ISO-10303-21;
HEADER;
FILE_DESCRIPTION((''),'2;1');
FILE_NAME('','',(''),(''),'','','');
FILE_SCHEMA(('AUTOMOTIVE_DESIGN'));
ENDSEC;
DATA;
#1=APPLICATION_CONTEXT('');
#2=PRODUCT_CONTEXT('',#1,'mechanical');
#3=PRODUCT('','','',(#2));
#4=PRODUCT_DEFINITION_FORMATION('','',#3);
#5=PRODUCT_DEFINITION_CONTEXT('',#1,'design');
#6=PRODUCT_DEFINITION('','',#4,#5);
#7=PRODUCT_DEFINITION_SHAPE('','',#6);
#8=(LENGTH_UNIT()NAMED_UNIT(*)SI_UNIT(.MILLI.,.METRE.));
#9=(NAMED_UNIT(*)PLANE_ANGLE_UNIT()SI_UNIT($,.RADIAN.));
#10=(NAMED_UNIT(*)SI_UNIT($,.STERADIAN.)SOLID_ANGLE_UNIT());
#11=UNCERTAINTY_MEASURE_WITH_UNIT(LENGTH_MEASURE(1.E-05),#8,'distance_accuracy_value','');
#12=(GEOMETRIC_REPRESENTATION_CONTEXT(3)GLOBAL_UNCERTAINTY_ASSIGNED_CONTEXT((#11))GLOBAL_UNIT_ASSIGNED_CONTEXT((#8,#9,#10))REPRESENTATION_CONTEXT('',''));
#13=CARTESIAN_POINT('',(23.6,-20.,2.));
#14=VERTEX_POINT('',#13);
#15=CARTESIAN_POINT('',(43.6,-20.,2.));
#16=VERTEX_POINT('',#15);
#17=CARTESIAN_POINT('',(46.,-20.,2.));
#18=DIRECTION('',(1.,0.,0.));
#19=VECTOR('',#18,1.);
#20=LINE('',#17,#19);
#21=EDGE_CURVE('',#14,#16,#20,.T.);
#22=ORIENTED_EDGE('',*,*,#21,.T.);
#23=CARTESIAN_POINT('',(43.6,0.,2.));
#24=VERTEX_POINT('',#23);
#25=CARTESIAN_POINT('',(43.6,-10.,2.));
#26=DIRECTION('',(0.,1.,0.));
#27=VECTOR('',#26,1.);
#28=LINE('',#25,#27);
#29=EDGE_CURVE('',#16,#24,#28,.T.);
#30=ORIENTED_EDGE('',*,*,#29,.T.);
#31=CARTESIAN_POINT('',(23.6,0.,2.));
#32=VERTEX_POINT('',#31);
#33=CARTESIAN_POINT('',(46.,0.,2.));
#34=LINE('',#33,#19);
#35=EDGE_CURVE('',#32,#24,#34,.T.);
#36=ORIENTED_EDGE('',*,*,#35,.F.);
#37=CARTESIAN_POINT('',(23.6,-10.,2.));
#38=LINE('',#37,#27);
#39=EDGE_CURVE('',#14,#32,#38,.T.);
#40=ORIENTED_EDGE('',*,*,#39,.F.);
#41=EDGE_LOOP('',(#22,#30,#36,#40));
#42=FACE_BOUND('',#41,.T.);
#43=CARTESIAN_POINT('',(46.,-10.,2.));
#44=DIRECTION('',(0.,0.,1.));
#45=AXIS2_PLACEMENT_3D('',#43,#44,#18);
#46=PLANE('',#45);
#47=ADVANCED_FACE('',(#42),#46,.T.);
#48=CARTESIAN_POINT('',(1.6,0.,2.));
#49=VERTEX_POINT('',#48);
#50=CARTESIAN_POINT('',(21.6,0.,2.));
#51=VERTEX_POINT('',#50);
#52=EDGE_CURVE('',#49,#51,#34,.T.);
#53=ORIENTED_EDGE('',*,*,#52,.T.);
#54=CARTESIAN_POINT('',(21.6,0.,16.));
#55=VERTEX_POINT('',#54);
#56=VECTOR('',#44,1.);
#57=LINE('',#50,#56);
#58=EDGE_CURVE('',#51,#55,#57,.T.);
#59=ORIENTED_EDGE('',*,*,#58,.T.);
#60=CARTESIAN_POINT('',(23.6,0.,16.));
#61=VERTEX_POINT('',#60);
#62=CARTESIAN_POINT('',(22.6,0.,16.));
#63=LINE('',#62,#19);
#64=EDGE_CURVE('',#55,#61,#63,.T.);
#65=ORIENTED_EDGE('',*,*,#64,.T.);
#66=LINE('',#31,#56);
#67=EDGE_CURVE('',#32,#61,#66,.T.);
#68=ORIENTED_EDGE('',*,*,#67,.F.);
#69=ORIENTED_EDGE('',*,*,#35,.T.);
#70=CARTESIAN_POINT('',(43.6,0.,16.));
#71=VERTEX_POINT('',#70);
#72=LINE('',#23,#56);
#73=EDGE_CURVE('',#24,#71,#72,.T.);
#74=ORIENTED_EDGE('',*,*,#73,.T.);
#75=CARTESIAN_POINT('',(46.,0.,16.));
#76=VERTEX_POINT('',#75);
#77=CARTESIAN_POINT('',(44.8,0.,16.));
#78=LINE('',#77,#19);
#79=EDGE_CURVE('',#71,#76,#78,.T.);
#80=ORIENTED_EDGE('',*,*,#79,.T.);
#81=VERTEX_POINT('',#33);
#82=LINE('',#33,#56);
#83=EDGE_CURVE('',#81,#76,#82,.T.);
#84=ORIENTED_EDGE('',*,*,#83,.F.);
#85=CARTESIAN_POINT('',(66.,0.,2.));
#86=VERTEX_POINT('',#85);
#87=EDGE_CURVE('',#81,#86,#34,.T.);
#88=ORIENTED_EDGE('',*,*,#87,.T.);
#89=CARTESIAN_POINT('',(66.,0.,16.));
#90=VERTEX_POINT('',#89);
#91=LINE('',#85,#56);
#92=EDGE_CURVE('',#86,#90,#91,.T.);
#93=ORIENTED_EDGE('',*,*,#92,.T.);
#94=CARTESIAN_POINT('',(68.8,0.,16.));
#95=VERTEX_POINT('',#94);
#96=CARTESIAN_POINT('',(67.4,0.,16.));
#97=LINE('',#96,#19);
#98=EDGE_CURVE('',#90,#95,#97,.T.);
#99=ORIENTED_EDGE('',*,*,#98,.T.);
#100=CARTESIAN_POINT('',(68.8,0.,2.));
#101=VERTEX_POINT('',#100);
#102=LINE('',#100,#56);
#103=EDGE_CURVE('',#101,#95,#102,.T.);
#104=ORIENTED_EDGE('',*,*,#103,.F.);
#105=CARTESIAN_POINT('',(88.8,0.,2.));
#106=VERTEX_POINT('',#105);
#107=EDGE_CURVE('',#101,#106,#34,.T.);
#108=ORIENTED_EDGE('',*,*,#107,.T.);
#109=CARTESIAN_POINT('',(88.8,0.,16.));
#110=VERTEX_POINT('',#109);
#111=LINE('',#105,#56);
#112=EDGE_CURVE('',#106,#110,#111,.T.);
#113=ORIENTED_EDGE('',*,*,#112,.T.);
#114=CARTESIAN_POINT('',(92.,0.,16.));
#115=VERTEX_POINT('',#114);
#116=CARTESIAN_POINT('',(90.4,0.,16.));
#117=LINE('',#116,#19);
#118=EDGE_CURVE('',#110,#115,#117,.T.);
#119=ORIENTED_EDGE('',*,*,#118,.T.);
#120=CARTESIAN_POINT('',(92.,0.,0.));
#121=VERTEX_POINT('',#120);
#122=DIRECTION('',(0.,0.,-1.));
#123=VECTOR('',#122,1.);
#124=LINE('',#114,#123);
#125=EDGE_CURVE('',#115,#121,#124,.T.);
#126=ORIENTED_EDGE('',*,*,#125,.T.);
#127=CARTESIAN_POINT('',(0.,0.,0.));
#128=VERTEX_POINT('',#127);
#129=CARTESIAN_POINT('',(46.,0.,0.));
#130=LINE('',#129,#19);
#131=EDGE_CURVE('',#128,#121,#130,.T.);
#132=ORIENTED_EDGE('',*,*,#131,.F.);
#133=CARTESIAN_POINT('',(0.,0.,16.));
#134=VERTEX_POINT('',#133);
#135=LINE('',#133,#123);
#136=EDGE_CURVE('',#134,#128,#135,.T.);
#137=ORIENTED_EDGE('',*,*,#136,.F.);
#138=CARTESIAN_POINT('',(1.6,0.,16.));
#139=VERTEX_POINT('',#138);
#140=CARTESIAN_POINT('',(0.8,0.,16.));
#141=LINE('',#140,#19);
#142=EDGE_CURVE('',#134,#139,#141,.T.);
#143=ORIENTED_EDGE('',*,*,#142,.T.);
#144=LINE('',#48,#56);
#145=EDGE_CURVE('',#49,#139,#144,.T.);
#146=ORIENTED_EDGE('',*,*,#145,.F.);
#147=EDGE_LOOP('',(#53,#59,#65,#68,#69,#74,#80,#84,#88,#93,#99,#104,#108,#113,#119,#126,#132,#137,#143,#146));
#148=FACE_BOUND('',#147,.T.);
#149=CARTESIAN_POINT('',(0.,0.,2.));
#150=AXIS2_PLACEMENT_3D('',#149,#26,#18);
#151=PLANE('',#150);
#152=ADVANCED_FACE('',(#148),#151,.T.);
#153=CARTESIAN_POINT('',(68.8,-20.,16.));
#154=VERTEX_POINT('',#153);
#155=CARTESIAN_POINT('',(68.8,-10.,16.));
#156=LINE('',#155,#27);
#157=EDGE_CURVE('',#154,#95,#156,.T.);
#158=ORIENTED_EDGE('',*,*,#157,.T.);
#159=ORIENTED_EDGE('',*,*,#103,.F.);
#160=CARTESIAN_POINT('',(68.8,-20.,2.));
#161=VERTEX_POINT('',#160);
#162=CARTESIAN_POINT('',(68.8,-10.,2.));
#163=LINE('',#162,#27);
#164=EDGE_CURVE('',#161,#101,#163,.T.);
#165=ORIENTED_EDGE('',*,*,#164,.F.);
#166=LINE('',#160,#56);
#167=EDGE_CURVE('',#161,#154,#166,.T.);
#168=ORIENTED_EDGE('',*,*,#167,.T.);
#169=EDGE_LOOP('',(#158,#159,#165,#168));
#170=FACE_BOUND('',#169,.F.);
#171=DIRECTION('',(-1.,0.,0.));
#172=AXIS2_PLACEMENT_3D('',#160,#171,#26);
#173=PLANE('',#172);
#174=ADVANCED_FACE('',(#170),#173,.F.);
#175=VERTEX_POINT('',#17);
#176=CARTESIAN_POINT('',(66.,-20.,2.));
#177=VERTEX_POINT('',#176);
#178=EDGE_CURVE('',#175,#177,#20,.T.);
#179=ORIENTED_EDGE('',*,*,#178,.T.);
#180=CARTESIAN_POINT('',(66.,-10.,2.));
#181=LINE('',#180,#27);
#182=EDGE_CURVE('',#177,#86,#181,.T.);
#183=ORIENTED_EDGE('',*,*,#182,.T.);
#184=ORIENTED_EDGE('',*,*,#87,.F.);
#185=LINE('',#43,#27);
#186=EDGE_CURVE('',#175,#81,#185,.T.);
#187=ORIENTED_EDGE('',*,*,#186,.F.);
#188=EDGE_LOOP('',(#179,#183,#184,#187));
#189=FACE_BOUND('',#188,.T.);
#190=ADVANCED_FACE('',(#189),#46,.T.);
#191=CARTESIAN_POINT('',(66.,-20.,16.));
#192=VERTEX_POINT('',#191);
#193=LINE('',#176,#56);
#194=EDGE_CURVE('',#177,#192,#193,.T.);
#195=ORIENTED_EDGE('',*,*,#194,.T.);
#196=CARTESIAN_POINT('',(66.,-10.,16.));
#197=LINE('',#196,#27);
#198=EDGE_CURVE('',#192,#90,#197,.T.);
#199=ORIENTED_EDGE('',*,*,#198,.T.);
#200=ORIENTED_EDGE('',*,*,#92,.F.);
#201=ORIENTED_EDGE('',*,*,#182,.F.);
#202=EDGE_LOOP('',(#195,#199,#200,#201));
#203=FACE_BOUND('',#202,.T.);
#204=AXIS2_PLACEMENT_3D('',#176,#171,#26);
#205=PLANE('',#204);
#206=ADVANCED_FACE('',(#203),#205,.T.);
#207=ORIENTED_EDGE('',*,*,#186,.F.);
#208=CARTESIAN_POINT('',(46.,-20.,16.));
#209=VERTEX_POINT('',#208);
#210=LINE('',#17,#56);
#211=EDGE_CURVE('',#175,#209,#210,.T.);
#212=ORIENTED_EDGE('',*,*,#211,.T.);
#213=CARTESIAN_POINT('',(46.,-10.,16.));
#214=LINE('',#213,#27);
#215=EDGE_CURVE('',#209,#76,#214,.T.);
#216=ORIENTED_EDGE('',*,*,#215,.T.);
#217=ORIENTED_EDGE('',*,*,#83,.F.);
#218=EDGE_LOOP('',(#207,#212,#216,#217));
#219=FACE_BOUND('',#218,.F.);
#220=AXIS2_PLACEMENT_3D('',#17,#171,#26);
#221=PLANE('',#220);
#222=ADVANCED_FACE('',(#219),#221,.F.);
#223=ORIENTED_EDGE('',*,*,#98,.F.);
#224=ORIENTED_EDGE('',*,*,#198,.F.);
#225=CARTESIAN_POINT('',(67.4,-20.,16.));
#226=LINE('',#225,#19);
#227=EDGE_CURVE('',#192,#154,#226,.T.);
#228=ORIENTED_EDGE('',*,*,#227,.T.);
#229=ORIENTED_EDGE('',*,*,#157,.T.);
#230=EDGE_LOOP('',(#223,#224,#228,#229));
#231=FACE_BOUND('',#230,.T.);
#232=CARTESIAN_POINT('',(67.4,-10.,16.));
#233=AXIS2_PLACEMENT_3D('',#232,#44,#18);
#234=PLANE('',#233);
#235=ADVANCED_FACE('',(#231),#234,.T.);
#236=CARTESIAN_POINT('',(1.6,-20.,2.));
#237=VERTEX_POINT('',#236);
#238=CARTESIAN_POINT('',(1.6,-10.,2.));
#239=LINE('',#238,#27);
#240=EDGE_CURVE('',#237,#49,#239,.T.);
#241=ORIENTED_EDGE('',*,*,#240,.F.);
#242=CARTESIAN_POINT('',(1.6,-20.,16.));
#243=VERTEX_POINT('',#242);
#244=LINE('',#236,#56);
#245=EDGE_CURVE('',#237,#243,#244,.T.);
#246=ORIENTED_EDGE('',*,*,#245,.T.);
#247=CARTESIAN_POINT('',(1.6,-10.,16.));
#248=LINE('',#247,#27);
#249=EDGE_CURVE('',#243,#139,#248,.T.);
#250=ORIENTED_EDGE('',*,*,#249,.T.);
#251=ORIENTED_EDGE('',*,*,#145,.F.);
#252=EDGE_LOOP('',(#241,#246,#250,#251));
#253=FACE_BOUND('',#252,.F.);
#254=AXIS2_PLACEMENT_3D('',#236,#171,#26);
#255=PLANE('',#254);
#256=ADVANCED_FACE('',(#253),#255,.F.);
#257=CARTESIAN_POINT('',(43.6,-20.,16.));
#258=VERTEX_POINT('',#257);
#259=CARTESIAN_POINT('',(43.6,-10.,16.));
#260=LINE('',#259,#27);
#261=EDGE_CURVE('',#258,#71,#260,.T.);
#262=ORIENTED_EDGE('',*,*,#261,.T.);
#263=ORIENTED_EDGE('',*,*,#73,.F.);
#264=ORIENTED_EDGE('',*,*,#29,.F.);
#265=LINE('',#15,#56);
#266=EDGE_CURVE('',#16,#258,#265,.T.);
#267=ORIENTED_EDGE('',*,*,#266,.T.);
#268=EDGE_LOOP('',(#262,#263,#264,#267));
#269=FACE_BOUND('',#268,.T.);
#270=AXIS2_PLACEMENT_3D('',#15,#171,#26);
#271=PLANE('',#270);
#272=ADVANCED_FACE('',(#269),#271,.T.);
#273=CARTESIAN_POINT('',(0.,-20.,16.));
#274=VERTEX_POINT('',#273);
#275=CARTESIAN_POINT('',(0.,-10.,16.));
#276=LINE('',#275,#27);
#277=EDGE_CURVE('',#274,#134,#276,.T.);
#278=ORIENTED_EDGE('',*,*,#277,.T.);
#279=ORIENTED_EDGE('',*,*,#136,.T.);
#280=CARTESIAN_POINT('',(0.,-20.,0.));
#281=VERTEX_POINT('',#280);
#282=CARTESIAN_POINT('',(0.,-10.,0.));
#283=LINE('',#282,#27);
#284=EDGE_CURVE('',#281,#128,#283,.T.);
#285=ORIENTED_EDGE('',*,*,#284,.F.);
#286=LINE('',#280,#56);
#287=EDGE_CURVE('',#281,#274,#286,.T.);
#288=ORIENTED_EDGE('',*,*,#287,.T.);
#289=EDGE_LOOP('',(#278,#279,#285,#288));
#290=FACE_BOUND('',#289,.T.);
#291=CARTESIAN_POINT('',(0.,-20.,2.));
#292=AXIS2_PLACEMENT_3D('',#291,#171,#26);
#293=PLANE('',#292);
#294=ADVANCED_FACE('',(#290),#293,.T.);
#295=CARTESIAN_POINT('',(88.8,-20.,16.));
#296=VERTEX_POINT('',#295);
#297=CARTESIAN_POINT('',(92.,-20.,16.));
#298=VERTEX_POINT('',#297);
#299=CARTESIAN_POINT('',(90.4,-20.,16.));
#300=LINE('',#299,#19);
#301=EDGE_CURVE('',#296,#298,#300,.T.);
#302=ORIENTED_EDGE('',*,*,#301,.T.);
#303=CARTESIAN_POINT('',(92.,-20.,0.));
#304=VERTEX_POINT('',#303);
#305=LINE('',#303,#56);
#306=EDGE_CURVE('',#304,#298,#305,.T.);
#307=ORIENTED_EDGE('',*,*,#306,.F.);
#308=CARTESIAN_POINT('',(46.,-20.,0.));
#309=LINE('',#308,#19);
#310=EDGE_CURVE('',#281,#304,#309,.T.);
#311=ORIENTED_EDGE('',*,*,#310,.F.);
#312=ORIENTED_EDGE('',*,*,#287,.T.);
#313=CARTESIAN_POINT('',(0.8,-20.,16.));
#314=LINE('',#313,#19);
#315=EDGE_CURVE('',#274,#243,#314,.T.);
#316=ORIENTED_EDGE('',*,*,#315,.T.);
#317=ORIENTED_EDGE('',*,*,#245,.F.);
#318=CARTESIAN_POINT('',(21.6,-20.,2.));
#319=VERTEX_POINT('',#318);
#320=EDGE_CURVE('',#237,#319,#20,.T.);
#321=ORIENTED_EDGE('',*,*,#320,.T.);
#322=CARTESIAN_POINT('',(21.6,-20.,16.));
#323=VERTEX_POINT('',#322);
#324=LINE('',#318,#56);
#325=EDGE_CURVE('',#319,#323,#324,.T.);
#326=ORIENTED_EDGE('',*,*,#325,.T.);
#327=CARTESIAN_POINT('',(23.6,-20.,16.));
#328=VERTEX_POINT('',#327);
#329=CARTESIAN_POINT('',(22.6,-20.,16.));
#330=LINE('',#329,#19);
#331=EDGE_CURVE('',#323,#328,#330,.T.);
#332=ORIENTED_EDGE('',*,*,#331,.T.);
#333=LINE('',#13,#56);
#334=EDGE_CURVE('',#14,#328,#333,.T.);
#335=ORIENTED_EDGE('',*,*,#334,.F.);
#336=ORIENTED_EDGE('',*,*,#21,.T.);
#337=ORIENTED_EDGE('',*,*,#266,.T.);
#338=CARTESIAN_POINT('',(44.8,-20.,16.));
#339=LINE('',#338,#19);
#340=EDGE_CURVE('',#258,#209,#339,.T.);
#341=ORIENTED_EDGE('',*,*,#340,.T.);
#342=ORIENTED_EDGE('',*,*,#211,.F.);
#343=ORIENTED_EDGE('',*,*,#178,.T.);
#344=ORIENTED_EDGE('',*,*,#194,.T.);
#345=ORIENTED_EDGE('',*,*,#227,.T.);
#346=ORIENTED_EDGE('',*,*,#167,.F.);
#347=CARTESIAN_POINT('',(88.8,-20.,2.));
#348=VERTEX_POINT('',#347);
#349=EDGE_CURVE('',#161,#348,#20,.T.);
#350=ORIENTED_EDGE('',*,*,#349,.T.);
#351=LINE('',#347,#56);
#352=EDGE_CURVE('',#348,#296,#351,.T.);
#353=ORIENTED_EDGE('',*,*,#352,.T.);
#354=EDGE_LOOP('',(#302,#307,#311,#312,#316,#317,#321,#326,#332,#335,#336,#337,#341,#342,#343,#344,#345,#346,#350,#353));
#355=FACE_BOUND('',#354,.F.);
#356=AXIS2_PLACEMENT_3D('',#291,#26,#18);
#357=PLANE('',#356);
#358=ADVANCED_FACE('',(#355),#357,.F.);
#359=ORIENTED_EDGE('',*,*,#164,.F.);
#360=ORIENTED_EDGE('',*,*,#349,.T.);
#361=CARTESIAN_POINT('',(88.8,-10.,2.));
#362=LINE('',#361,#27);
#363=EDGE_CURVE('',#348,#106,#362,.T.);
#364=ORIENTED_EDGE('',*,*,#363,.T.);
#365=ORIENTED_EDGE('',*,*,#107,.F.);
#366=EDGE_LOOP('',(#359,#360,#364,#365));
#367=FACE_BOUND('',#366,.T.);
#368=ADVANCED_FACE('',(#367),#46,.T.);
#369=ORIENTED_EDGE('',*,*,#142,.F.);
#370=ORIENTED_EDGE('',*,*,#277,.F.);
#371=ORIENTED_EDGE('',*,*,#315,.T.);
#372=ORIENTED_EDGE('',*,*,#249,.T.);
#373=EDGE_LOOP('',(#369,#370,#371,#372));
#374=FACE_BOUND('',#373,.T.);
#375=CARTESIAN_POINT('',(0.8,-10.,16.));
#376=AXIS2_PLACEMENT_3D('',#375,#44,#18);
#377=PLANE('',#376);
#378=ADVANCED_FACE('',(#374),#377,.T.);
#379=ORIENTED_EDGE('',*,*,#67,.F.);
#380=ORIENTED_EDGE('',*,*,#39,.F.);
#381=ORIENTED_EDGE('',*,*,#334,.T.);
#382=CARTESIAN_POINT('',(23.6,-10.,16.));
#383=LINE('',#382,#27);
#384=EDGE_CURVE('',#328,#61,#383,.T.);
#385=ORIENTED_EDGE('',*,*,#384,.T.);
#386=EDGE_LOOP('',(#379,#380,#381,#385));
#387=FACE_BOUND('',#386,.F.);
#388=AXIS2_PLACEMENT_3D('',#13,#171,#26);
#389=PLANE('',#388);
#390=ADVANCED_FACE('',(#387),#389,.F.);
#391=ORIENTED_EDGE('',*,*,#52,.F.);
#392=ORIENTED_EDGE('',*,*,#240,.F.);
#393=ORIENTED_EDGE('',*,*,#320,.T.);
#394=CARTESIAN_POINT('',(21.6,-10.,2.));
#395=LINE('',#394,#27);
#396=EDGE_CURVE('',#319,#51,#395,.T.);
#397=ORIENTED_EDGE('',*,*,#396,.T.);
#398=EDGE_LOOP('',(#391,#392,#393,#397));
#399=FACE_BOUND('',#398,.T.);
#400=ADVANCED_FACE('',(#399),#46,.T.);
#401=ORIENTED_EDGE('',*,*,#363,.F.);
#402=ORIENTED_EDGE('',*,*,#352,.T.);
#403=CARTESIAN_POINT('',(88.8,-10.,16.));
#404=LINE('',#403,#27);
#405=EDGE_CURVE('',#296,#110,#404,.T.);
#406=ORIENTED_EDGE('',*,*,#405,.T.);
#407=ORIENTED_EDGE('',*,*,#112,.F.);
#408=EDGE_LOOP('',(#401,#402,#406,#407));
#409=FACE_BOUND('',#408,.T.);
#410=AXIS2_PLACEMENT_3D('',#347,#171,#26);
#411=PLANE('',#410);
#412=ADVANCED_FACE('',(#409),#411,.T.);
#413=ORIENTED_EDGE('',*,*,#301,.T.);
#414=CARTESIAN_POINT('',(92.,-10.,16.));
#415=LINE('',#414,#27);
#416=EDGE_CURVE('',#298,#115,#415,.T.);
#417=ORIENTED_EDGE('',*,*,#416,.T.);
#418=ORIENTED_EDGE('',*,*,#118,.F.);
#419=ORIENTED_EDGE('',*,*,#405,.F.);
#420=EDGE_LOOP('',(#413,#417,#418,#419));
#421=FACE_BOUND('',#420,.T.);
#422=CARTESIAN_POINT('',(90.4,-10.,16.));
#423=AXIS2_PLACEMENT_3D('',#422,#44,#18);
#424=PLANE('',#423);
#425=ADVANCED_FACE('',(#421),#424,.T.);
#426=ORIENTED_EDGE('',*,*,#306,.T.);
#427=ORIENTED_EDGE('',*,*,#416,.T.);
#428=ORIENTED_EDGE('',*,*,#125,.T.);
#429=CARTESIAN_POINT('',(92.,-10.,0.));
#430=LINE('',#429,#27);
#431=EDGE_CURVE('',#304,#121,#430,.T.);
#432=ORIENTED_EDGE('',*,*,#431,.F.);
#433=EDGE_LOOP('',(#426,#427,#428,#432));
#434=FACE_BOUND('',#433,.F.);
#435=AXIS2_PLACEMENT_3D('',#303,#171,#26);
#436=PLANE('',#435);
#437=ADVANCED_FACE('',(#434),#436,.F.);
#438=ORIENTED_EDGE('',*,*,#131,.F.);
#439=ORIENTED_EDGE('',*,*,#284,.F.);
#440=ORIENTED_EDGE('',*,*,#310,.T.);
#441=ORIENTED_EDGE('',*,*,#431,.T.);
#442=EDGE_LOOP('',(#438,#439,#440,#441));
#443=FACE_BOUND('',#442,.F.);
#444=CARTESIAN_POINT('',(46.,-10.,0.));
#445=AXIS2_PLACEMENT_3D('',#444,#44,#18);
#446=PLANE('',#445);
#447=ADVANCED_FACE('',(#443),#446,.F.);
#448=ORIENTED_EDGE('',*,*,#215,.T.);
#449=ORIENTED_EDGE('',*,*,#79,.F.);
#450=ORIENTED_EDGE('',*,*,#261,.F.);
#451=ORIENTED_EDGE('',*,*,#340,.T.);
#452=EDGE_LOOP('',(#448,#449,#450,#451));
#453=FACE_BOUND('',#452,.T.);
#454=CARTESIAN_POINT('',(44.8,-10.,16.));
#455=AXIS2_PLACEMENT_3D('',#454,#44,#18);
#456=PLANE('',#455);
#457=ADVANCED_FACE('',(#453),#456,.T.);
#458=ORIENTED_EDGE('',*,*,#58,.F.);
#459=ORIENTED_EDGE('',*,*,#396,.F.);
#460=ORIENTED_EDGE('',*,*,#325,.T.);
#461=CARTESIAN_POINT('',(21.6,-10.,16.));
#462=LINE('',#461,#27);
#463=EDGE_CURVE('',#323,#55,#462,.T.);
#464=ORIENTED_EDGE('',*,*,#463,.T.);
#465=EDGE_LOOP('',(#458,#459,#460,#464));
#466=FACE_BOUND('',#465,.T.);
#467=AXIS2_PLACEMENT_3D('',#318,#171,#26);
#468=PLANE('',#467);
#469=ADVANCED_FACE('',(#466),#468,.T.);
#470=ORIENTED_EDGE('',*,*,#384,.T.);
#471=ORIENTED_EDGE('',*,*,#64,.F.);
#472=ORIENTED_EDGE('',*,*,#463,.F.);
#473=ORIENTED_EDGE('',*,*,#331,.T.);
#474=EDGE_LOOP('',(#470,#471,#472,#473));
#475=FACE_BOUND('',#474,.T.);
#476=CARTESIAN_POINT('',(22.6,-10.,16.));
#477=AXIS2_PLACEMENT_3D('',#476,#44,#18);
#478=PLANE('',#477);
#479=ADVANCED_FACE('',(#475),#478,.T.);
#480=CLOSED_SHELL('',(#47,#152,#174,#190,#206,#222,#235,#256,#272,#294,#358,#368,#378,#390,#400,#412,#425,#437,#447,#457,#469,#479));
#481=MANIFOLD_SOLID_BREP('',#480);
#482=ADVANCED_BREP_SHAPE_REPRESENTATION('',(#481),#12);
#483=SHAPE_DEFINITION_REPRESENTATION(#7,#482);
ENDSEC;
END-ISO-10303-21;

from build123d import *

# Parameters (mm, degrees)
F0_W     = 92
F0_H     = 20
F1_DEPTH = 2
F2_W     = 1.6
F2_H     = 20
F2_W_2   = 2
F2_W_3   = 2.4
F2_W_4   = 2.8
F2_W_5   = 3.2
F3_DEPTH = 14


with BuildPart() as f1:
    # F0 (on Top) → F1 (new body)
    with BuildSketch(Plane.XY):
        with Locations((46, -10)):
            Rectangle(F0_W, F0_H)
    extrude(amount=F1_DEPTH)

    # F2 (on face) → F3 (join)
    with BuildSketch(Plane.XY.offset(2)):
        with Locations((0.8, -10)):
            Rectangle(F2_W, F2_H)
        with Locations((22.6, -10)):
            Rectangle(F2_W_2, F2_H)
        with Locations((44.8, -10)):
            Rectangle(F2_W_3, F2_H)
        with Locations((67.4, -10)):
            Rectangle(F2_W_4, F2_H)
        with Locations((90.4, -10)):
            Rectangle(F2_W_5, F2_H)
    extrude(amount=F3_DEPTH)


solid = f1.part
